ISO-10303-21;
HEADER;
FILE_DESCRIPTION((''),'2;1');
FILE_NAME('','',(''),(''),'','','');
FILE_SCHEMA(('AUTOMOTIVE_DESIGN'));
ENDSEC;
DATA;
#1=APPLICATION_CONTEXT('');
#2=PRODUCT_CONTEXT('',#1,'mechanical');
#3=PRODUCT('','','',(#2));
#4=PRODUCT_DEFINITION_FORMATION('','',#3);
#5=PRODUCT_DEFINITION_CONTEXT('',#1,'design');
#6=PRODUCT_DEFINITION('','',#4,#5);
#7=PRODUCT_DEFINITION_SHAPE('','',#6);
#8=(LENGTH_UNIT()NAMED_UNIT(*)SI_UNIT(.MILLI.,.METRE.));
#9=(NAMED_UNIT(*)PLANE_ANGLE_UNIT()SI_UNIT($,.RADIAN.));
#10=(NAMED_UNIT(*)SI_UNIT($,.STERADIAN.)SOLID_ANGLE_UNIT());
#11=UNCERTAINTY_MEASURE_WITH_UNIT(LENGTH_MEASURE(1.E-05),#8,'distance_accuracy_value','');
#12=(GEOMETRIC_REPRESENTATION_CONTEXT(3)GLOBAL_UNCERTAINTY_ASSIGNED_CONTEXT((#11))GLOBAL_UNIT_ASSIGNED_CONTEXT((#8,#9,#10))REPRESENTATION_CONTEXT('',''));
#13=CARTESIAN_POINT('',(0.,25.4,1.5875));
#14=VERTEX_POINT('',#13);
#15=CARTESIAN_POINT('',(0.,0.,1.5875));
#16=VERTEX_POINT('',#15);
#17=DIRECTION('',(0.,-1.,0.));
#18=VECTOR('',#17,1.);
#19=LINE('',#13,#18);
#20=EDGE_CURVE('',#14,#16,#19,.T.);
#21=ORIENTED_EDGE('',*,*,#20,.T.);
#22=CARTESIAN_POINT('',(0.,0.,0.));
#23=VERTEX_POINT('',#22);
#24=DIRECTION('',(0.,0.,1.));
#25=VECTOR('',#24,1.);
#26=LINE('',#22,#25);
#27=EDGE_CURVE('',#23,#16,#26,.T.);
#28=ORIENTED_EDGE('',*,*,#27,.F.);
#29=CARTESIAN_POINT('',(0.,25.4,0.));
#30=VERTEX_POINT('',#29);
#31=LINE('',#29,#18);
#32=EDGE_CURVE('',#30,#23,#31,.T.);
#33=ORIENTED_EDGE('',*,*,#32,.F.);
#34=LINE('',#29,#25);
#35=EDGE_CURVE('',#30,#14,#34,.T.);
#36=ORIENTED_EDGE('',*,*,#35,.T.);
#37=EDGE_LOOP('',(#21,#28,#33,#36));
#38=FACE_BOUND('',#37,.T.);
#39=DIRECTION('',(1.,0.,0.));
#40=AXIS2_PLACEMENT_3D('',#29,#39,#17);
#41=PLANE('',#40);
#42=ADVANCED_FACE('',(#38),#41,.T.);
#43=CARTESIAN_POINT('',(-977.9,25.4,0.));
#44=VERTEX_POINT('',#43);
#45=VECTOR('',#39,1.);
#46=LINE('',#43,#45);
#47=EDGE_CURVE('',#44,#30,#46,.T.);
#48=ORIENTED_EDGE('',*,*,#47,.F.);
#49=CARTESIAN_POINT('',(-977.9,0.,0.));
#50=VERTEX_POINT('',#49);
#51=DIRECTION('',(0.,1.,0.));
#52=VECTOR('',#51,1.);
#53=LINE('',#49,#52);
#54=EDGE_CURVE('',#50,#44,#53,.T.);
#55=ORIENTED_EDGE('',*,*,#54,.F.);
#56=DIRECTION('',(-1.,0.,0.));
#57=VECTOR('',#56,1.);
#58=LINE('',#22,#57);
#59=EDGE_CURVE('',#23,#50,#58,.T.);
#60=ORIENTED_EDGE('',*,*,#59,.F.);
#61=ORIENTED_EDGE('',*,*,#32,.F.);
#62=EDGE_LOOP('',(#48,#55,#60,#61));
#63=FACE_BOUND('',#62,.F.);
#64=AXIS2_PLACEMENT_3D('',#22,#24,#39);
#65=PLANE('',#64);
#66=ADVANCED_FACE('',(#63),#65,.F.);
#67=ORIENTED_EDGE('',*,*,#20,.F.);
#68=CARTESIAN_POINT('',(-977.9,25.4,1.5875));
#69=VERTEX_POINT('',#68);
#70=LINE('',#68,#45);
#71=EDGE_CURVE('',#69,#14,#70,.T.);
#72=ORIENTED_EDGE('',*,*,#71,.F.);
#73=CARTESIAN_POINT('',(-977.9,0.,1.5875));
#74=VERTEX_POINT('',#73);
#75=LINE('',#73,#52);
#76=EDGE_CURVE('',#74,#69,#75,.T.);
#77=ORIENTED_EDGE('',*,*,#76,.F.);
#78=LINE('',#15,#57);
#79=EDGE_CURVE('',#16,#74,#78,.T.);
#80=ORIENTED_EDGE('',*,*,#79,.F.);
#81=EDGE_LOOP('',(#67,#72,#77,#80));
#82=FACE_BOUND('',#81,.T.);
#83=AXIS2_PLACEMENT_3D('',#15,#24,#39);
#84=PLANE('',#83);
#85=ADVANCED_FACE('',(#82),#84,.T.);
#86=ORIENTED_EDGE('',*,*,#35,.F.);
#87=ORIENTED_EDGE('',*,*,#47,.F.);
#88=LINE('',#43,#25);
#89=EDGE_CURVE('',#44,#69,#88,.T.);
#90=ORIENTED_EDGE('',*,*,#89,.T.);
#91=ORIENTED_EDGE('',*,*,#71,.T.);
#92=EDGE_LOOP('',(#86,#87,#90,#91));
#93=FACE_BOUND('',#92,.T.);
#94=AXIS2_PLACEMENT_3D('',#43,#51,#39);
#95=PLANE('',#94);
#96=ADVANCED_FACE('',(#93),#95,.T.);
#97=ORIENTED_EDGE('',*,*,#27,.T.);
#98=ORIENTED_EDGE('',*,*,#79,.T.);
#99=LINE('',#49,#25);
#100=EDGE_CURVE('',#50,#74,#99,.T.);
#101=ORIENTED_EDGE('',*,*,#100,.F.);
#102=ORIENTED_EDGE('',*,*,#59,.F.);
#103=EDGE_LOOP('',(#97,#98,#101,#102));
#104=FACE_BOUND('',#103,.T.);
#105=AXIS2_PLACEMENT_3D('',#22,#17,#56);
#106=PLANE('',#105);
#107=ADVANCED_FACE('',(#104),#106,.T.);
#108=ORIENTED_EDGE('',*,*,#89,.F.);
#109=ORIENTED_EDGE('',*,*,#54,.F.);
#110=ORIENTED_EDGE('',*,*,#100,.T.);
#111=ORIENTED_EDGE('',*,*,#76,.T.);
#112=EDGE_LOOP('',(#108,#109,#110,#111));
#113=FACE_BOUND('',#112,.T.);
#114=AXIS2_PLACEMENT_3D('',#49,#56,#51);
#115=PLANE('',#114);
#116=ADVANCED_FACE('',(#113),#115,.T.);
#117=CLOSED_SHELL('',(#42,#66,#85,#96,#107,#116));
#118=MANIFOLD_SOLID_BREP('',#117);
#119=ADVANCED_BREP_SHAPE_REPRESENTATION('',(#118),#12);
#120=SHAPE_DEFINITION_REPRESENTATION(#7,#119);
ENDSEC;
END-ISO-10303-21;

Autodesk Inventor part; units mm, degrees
ref_plane "YZ Plane" through (0, 0, 0) normal (1, 0, 0) x (0, 1, 0)
ref_plane "XZ Plane" through (0, 0, 0) normal (0, 1, 0) x (-1, 0, 0)
ref_plane "XY Plane" through (0, 0, 0) normal (0, 0, 1) x (1, 0, 0)
sketch "Sketch1" plane through (0, 0, 0) normal (0, 0, 1) x (1, 0, 0)
  line L0 (0, 0) -> (-977.9, 0)
  line L1 (-977.9, 0) -> (-977.9, 25.4)
  line L2 (-977.9, 25.4) -> (0, 25.4)
  line L3 (0, 25.4) -> (0, 0)
  dimension "d0" = 977.9
  dimension "d1" = 25.4
extrude "Extrusion1" add sketch "Sketch1" along normal blind 1.5875
properties part number "GE-12078-01"
